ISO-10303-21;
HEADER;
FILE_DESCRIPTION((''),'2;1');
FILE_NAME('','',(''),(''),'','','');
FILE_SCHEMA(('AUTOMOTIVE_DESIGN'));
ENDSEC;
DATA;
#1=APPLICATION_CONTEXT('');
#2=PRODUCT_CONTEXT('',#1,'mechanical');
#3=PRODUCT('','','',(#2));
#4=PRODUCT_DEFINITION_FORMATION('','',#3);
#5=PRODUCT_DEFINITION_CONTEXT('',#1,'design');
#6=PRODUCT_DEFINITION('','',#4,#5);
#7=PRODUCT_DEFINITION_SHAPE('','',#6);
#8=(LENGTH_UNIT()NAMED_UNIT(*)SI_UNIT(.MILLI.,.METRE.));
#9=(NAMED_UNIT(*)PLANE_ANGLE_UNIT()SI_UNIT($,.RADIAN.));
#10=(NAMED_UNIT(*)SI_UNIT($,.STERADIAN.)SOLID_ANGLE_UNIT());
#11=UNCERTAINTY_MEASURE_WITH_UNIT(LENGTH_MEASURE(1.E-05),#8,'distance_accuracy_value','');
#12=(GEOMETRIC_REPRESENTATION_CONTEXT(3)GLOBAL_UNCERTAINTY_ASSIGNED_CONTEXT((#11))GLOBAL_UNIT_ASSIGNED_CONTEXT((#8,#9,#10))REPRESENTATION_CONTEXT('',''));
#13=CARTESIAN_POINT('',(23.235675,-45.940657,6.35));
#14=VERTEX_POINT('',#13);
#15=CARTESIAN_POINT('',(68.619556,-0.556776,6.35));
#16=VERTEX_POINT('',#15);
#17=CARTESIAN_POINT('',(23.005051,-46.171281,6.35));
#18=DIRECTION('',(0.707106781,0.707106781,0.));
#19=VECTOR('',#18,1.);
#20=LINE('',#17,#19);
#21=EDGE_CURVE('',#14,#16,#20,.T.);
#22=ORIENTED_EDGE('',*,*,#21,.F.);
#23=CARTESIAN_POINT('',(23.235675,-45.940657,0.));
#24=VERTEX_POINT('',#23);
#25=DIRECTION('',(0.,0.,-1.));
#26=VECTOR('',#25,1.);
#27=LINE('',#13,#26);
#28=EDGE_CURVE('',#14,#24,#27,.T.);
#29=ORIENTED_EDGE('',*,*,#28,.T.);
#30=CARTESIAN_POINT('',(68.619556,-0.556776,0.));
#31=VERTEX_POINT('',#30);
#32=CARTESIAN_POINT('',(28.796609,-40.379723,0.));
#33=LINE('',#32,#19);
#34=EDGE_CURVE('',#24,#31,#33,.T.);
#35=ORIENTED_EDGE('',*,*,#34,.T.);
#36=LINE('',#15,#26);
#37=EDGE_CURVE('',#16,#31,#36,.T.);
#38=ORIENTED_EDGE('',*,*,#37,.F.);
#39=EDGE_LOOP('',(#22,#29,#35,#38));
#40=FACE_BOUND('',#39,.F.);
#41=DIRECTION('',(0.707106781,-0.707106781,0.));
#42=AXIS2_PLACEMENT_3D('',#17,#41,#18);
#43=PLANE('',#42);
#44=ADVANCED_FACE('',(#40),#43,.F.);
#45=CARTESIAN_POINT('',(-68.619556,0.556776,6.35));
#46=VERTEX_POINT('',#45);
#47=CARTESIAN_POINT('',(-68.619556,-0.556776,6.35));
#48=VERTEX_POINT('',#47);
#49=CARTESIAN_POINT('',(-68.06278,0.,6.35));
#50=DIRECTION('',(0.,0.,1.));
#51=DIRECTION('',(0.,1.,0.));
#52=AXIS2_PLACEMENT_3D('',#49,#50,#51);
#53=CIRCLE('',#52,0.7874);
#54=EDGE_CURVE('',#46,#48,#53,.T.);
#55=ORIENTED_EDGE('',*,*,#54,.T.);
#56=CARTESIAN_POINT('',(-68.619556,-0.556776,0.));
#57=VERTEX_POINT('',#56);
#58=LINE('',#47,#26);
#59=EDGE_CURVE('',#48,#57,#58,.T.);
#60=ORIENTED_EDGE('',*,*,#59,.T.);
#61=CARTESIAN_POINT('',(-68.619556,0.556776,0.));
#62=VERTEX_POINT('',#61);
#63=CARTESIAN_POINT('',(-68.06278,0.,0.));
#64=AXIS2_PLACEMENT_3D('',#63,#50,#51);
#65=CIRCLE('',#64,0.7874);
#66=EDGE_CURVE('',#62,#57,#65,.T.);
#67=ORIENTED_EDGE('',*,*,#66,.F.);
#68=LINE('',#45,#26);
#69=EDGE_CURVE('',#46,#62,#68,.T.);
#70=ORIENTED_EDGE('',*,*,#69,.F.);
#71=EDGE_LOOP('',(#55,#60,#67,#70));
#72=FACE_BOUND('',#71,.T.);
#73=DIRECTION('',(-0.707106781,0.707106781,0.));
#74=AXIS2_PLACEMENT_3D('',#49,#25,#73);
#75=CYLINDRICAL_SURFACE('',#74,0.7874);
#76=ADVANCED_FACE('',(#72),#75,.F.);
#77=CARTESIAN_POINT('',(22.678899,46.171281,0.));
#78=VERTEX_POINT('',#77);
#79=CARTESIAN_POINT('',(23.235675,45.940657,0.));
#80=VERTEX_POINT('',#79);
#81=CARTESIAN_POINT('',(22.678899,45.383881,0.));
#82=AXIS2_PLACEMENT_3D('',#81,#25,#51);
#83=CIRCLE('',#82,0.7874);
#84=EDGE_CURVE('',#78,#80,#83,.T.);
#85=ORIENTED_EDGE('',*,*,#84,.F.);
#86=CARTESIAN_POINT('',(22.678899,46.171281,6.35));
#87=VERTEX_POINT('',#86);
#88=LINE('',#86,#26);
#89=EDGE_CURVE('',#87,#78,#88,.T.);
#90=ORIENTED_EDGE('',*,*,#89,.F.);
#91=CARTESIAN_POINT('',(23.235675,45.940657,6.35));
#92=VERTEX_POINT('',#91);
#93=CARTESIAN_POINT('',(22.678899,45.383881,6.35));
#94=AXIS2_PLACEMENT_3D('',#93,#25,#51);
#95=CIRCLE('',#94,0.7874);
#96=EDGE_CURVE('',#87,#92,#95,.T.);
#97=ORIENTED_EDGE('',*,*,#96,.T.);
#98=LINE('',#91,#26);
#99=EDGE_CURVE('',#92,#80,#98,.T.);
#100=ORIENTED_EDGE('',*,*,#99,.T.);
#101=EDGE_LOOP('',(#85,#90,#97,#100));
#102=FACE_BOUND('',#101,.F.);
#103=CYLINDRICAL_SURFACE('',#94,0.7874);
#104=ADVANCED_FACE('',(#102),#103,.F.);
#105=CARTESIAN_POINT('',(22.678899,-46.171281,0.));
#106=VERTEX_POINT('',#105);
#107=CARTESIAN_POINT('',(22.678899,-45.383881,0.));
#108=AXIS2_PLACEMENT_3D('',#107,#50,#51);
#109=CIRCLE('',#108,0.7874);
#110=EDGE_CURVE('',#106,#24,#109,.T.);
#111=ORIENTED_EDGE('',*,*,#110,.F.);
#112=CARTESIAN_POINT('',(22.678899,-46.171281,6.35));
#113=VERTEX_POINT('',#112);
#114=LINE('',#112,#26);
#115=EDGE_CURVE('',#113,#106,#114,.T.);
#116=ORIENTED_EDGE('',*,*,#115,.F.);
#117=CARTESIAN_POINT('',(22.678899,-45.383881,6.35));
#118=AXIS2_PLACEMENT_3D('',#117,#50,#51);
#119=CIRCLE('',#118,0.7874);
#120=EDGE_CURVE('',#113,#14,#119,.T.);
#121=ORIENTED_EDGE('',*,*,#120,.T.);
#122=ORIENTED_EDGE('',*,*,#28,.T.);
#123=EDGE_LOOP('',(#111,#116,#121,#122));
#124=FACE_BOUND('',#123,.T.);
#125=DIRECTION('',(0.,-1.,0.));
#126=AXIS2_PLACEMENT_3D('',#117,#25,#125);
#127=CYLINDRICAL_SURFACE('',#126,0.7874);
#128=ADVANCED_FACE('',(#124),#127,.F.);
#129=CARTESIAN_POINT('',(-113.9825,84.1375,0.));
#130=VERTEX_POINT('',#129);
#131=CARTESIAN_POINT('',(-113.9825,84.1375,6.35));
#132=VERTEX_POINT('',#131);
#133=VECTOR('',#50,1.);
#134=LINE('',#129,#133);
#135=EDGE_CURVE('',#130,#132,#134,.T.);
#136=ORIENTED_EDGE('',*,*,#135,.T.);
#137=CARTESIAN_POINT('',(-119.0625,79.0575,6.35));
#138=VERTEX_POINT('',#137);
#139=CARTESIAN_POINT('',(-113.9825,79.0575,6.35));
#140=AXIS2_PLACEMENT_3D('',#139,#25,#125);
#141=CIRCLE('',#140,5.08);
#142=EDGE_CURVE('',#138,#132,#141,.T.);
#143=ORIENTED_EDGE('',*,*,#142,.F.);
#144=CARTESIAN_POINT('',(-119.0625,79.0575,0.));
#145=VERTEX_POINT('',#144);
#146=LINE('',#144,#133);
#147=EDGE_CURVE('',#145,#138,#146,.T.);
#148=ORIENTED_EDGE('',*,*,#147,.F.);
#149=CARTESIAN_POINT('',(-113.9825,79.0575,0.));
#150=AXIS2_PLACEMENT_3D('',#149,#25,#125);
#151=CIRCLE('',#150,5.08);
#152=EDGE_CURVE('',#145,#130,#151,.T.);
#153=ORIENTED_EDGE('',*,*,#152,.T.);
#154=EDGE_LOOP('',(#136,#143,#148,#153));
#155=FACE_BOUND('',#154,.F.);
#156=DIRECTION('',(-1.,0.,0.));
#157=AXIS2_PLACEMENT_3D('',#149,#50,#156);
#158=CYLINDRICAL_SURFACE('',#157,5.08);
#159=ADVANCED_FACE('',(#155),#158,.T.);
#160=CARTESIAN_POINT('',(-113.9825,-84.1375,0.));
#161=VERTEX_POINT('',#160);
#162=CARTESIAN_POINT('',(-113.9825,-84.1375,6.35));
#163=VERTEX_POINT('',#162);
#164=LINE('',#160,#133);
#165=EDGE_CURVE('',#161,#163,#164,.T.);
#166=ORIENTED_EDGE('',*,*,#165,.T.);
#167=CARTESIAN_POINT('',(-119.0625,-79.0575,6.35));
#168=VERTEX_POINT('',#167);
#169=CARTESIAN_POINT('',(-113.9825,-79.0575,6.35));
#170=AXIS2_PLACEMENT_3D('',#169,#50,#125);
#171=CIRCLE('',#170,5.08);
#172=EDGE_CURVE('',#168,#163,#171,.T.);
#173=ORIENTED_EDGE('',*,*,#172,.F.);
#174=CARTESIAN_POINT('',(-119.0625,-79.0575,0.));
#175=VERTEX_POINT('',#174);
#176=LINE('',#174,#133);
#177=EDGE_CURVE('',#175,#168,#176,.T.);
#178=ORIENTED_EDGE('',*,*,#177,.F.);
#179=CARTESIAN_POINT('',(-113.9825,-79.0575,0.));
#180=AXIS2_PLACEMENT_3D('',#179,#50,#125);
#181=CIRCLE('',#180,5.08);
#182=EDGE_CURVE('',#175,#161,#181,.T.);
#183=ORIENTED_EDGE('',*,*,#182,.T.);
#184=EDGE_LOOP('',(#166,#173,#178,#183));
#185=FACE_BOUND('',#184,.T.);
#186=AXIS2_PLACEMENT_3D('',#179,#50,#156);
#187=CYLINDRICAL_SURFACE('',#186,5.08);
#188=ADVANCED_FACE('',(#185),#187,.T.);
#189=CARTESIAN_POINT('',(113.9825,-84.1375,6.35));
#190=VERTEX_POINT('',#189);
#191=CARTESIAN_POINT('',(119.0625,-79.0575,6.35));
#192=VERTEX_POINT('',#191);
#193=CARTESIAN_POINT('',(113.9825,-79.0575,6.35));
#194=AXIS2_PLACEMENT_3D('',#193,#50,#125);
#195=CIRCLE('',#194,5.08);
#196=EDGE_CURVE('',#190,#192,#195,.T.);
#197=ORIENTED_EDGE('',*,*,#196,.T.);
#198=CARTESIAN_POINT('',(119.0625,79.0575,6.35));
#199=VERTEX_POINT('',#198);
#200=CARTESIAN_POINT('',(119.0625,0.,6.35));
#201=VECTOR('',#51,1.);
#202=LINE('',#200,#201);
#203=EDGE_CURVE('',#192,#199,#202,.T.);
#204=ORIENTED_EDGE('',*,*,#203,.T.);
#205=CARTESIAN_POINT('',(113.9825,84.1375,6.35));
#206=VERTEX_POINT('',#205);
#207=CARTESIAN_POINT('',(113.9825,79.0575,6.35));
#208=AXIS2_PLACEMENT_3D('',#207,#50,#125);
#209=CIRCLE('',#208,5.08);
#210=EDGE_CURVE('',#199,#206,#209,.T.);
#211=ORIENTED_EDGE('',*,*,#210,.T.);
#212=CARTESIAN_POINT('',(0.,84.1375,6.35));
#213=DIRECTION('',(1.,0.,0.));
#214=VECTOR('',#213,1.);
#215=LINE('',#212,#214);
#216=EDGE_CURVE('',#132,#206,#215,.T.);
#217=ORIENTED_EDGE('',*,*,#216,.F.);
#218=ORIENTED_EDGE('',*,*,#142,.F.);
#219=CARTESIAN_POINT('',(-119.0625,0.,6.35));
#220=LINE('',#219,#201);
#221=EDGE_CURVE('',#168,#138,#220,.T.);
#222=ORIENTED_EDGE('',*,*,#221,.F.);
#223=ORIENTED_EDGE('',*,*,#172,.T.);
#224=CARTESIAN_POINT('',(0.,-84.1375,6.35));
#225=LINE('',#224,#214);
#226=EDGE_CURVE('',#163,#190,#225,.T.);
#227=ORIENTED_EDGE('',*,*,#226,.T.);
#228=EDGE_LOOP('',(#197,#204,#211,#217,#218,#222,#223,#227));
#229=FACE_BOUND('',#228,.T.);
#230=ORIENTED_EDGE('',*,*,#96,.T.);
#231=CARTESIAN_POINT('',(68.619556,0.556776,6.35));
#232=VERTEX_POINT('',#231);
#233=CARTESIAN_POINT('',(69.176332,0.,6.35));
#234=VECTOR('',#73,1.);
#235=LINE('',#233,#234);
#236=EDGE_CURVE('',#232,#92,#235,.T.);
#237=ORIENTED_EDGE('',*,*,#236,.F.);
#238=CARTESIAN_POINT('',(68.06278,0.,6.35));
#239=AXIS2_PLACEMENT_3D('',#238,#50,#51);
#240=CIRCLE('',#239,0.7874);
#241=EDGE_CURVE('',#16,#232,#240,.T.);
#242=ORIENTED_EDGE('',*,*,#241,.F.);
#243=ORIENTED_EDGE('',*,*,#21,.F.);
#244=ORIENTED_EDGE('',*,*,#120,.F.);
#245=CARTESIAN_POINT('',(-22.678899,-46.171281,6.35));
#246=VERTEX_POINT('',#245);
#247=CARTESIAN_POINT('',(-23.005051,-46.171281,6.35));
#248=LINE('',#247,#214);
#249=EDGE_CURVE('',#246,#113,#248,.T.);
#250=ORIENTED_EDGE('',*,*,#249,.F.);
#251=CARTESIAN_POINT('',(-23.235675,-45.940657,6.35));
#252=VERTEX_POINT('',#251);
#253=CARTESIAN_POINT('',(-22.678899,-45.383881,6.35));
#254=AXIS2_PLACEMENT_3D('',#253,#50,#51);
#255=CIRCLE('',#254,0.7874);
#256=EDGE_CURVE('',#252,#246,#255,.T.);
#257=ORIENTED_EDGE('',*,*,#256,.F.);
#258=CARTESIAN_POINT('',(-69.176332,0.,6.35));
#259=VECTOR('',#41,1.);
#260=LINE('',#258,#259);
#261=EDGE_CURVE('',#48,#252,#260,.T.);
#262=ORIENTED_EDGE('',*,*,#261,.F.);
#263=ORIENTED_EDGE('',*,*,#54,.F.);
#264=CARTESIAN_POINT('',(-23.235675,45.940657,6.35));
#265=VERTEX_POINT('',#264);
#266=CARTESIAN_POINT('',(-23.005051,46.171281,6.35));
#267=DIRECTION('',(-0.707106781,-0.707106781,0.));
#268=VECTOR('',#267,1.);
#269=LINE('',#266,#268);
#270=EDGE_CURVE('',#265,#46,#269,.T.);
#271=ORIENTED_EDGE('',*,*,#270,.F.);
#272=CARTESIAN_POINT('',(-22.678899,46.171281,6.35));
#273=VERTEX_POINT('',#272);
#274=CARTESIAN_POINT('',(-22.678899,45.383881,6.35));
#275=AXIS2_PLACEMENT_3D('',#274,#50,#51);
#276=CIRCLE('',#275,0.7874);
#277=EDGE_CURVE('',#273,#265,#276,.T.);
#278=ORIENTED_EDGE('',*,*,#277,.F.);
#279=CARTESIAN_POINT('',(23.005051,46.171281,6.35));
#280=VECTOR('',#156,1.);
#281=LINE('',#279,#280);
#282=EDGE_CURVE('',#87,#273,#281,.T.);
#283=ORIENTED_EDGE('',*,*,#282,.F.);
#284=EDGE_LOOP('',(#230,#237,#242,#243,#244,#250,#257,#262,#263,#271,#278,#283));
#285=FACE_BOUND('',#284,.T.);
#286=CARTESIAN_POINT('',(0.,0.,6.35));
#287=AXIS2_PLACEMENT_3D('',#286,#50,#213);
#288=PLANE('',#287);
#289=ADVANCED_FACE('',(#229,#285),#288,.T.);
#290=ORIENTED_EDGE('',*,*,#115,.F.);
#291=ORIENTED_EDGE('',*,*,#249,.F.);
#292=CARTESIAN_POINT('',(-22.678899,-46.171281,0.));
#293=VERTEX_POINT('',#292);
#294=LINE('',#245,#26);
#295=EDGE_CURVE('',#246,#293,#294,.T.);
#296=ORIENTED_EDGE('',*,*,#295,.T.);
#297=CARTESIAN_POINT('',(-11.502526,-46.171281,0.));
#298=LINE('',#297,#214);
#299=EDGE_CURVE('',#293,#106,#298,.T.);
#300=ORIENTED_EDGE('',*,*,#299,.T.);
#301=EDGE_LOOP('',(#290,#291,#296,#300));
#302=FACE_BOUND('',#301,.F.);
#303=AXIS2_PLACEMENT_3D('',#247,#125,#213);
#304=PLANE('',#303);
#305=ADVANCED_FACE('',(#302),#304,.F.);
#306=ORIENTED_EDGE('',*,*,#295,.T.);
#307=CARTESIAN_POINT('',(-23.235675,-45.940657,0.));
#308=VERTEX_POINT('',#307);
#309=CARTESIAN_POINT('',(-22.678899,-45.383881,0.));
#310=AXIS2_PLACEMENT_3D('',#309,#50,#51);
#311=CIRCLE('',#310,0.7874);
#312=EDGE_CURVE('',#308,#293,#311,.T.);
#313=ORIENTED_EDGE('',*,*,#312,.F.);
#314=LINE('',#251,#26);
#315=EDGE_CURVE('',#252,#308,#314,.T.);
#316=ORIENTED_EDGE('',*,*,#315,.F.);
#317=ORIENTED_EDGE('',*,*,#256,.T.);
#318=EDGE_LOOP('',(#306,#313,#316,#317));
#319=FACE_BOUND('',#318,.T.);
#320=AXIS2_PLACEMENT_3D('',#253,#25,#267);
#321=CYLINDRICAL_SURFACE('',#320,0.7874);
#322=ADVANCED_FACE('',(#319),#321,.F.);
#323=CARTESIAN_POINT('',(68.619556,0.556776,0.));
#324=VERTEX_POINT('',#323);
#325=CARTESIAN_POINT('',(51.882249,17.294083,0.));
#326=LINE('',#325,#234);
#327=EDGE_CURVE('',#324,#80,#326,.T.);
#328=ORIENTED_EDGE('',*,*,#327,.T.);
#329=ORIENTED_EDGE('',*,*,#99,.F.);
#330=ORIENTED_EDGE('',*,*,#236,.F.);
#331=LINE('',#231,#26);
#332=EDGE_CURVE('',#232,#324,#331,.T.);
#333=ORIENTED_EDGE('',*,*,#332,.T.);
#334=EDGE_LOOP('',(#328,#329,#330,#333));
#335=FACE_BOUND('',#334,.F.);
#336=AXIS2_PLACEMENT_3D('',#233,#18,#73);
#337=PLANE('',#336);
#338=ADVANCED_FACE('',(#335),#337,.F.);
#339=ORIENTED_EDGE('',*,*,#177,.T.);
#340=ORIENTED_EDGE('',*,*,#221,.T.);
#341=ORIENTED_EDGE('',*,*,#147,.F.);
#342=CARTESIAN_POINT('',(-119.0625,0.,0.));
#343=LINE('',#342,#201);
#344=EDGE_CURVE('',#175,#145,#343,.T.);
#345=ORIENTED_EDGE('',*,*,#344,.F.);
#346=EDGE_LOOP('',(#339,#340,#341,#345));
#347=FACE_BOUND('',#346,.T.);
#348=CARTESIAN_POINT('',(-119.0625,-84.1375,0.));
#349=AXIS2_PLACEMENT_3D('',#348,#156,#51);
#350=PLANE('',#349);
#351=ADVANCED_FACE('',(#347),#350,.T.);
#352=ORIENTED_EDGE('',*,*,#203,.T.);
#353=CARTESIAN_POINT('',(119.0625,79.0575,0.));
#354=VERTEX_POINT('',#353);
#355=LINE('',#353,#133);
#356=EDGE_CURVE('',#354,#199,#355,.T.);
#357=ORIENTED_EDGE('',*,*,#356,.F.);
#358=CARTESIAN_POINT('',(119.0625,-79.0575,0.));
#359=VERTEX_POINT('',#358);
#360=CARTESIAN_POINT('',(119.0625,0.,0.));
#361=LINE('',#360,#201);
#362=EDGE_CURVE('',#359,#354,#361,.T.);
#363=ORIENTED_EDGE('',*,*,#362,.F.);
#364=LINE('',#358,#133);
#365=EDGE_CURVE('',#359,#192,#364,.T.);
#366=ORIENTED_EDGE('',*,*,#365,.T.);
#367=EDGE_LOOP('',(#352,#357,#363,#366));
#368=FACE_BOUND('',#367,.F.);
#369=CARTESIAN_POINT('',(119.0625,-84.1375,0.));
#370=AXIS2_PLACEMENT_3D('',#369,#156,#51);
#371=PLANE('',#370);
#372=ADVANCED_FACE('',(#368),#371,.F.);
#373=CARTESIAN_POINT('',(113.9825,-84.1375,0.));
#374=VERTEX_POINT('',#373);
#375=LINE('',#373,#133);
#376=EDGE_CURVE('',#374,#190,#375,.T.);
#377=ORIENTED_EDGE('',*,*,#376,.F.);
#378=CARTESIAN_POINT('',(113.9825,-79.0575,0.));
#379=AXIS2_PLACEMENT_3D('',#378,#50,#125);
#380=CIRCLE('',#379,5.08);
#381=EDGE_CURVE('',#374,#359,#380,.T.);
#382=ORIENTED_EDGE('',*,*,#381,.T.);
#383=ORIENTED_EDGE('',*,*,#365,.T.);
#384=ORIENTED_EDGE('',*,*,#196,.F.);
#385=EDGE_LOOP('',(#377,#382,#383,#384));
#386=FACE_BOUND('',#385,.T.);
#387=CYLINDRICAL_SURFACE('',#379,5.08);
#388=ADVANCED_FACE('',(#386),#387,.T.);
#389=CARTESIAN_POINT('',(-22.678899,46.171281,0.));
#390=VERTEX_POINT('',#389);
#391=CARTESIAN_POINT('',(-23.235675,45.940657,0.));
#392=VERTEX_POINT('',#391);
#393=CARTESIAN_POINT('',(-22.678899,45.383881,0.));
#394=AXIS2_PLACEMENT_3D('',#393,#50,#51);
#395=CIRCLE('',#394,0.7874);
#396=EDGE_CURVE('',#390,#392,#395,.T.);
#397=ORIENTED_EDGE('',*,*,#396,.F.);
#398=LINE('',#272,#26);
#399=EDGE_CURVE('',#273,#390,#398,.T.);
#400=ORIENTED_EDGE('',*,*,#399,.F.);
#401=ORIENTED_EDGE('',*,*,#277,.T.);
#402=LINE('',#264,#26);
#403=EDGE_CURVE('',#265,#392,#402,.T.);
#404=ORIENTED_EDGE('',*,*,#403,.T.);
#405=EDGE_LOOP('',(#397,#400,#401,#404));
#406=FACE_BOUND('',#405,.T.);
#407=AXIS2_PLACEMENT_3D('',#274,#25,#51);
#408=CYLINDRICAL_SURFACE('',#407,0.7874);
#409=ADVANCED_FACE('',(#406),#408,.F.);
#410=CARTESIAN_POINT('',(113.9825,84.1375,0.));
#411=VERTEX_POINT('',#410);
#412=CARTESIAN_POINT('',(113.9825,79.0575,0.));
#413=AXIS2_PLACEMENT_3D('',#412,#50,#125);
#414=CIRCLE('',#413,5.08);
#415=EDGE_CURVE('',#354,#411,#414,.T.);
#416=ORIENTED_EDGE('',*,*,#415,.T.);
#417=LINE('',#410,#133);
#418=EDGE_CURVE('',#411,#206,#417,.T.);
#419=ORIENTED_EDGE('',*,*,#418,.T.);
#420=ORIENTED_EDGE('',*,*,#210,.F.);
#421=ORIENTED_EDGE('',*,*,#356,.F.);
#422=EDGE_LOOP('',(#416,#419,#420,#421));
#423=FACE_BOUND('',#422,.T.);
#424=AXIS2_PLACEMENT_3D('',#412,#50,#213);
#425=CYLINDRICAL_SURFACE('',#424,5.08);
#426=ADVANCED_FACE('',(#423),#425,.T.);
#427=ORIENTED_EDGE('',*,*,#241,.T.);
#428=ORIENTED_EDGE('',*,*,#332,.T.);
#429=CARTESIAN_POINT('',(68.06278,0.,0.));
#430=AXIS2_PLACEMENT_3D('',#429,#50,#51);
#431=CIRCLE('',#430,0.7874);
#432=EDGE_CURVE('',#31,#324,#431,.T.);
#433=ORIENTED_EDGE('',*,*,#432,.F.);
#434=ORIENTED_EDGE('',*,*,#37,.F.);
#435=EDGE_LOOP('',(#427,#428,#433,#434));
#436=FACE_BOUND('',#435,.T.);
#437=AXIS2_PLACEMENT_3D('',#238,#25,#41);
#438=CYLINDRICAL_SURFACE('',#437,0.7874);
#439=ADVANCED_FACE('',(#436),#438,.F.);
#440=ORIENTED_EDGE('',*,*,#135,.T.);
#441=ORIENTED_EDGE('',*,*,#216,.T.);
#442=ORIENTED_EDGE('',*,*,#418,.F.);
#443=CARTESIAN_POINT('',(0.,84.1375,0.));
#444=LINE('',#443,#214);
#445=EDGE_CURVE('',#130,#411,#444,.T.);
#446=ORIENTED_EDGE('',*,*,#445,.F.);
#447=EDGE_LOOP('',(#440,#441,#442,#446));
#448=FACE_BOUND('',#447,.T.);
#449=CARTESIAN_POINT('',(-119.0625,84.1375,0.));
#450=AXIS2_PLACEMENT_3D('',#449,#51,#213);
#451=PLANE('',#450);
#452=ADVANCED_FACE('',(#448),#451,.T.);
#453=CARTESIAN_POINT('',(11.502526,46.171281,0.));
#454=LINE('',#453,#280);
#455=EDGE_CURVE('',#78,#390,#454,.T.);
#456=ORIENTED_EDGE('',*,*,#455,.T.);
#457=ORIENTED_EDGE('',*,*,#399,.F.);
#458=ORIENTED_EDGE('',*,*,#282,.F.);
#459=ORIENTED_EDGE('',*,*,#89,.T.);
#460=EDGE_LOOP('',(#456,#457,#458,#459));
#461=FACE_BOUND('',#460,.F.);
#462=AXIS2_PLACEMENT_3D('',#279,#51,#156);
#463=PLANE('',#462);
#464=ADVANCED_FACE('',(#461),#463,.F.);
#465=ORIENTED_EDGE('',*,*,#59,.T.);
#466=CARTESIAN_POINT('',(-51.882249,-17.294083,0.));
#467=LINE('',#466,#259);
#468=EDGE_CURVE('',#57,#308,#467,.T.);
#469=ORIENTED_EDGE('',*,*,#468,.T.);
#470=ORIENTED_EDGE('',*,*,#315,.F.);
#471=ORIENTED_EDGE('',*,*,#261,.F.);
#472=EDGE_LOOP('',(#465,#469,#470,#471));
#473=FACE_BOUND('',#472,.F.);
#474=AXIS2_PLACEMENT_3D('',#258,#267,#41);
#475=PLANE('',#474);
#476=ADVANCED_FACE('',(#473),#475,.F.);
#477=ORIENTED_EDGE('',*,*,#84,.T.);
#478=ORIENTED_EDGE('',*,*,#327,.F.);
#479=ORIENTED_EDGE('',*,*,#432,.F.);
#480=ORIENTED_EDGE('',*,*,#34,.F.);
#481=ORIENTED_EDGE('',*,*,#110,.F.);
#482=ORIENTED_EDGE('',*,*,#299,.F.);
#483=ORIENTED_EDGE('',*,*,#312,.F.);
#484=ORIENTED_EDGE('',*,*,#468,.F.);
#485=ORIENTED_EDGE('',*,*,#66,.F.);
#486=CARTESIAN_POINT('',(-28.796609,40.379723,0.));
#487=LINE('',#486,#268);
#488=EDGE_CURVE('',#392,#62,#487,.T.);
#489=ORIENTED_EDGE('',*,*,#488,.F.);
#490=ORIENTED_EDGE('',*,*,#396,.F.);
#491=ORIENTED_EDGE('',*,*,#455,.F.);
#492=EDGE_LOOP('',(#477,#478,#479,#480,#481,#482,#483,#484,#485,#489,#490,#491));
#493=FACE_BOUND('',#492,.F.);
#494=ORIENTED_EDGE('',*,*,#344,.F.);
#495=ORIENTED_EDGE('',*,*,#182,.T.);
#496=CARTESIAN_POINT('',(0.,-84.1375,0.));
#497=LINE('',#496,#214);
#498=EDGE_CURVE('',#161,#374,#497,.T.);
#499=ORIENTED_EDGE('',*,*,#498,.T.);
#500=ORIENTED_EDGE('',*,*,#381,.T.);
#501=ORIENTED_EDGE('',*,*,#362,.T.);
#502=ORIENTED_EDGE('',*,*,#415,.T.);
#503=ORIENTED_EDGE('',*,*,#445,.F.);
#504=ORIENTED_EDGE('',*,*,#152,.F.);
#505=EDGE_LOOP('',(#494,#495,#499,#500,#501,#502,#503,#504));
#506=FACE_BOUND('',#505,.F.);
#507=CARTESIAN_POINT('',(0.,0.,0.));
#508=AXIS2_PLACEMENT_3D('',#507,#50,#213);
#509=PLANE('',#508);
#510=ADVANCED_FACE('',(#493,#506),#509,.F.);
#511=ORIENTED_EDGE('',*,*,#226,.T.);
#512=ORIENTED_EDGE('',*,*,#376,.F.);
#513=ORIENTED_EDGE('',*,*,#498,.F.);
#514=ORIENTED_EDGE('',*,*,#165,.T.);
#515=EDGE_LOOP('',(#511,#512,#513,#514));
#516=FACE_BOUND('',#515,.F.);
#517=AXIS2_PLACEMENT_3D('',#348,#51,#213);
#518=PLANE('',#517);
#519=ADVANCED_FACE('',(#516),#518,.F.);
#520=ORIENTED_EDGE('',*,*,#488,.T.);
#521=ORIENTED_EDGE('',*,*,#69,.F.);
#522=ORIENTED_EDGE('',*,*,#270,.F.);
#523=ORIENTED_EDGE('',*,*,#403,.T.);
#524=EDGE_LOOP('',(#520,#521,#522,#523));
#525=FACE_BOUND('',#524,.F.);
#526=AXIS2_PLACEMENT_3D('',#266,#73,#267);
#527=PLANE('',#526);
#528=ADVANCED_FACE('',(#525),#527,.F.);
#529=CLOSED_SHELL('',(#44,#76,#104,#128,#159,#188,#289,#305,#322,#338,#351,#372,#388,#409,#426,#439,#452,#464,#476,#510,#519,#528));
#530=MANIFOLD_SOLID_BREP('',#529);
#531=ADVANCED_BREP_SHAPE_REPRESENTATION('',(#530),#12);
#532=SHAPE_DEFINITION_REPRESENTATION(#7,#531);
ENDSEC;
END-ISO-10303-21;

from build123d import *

# Parameters (mm, degrees)
F0_W     = 238.125
F0_H     = 168.275
F1_DEPTH = 6.35
F2_R     = 5.08
F4_DEPTH = 25.4
F6_DEPTH = 25.4
F7_R     = 0.7874


with BuildPart() as f1:
    # F0 (on Top) → F1 (new body)
    with BuildSketch(Plane.XY):
        Rectangle(F0_W, F0_H)
    extrude(amount=F1_DEPTH)

    # F2
    f2_edges = [f1.edges().sort_by_distance(p)[0] for p in [
        (119.0625, 84.1375, 3.175),
        (119.0625, -84.1375, 3.175),
        (-119.0625, -84.1375, 3.175),
        (-119.0625, 84.1375, 3.175),
    ]]
    fillet(f2_edges, radius=F2_R)

    # F3 (on face) → F4 (cut)
    with BuildSketch(Plane.XY.offset(6.35)):
        Polygon((22.479, 44.901281), (-22.479, 44.901281), (-67.380281, 0), (-22.479, -44.901281), (22.479, -44.901281), (67.380281, 0), align=None)
    extrude(amount=-F4_DEPTH, mode=Mode.SUBTRACT)

    # F5 (on face) → F6 (cut)
    with BuildSketch(Plane.XY.offset(6.35)):
        Polygon((23.005051, 46.171281), (-23.005051, 46.171281), (-69.176332, 0), (-23.005051, -46.171281), (23.005051, -46.171281), (69.176332, 0), align=None)
    extrude(amount=-F6_DEPTH, mode=Mode.SUBTRACT)

    # F7
    f7_edges = [f1.edges().sort_by_distance(p)[0] for p in [
        (-23.005051, 46.171281, 3.175),
        (23.005051, 46.171281, 3.175),
        (-69.176332, 0, 3.175),
        (-23.005051, -46.171281, 3.175),
        (23.005051, -46.171281, 3.175),
        (69.176332, 0, 3.175),
    ]]
    fillet(f7_edges, radius=F7_R)


solid = f1.part
